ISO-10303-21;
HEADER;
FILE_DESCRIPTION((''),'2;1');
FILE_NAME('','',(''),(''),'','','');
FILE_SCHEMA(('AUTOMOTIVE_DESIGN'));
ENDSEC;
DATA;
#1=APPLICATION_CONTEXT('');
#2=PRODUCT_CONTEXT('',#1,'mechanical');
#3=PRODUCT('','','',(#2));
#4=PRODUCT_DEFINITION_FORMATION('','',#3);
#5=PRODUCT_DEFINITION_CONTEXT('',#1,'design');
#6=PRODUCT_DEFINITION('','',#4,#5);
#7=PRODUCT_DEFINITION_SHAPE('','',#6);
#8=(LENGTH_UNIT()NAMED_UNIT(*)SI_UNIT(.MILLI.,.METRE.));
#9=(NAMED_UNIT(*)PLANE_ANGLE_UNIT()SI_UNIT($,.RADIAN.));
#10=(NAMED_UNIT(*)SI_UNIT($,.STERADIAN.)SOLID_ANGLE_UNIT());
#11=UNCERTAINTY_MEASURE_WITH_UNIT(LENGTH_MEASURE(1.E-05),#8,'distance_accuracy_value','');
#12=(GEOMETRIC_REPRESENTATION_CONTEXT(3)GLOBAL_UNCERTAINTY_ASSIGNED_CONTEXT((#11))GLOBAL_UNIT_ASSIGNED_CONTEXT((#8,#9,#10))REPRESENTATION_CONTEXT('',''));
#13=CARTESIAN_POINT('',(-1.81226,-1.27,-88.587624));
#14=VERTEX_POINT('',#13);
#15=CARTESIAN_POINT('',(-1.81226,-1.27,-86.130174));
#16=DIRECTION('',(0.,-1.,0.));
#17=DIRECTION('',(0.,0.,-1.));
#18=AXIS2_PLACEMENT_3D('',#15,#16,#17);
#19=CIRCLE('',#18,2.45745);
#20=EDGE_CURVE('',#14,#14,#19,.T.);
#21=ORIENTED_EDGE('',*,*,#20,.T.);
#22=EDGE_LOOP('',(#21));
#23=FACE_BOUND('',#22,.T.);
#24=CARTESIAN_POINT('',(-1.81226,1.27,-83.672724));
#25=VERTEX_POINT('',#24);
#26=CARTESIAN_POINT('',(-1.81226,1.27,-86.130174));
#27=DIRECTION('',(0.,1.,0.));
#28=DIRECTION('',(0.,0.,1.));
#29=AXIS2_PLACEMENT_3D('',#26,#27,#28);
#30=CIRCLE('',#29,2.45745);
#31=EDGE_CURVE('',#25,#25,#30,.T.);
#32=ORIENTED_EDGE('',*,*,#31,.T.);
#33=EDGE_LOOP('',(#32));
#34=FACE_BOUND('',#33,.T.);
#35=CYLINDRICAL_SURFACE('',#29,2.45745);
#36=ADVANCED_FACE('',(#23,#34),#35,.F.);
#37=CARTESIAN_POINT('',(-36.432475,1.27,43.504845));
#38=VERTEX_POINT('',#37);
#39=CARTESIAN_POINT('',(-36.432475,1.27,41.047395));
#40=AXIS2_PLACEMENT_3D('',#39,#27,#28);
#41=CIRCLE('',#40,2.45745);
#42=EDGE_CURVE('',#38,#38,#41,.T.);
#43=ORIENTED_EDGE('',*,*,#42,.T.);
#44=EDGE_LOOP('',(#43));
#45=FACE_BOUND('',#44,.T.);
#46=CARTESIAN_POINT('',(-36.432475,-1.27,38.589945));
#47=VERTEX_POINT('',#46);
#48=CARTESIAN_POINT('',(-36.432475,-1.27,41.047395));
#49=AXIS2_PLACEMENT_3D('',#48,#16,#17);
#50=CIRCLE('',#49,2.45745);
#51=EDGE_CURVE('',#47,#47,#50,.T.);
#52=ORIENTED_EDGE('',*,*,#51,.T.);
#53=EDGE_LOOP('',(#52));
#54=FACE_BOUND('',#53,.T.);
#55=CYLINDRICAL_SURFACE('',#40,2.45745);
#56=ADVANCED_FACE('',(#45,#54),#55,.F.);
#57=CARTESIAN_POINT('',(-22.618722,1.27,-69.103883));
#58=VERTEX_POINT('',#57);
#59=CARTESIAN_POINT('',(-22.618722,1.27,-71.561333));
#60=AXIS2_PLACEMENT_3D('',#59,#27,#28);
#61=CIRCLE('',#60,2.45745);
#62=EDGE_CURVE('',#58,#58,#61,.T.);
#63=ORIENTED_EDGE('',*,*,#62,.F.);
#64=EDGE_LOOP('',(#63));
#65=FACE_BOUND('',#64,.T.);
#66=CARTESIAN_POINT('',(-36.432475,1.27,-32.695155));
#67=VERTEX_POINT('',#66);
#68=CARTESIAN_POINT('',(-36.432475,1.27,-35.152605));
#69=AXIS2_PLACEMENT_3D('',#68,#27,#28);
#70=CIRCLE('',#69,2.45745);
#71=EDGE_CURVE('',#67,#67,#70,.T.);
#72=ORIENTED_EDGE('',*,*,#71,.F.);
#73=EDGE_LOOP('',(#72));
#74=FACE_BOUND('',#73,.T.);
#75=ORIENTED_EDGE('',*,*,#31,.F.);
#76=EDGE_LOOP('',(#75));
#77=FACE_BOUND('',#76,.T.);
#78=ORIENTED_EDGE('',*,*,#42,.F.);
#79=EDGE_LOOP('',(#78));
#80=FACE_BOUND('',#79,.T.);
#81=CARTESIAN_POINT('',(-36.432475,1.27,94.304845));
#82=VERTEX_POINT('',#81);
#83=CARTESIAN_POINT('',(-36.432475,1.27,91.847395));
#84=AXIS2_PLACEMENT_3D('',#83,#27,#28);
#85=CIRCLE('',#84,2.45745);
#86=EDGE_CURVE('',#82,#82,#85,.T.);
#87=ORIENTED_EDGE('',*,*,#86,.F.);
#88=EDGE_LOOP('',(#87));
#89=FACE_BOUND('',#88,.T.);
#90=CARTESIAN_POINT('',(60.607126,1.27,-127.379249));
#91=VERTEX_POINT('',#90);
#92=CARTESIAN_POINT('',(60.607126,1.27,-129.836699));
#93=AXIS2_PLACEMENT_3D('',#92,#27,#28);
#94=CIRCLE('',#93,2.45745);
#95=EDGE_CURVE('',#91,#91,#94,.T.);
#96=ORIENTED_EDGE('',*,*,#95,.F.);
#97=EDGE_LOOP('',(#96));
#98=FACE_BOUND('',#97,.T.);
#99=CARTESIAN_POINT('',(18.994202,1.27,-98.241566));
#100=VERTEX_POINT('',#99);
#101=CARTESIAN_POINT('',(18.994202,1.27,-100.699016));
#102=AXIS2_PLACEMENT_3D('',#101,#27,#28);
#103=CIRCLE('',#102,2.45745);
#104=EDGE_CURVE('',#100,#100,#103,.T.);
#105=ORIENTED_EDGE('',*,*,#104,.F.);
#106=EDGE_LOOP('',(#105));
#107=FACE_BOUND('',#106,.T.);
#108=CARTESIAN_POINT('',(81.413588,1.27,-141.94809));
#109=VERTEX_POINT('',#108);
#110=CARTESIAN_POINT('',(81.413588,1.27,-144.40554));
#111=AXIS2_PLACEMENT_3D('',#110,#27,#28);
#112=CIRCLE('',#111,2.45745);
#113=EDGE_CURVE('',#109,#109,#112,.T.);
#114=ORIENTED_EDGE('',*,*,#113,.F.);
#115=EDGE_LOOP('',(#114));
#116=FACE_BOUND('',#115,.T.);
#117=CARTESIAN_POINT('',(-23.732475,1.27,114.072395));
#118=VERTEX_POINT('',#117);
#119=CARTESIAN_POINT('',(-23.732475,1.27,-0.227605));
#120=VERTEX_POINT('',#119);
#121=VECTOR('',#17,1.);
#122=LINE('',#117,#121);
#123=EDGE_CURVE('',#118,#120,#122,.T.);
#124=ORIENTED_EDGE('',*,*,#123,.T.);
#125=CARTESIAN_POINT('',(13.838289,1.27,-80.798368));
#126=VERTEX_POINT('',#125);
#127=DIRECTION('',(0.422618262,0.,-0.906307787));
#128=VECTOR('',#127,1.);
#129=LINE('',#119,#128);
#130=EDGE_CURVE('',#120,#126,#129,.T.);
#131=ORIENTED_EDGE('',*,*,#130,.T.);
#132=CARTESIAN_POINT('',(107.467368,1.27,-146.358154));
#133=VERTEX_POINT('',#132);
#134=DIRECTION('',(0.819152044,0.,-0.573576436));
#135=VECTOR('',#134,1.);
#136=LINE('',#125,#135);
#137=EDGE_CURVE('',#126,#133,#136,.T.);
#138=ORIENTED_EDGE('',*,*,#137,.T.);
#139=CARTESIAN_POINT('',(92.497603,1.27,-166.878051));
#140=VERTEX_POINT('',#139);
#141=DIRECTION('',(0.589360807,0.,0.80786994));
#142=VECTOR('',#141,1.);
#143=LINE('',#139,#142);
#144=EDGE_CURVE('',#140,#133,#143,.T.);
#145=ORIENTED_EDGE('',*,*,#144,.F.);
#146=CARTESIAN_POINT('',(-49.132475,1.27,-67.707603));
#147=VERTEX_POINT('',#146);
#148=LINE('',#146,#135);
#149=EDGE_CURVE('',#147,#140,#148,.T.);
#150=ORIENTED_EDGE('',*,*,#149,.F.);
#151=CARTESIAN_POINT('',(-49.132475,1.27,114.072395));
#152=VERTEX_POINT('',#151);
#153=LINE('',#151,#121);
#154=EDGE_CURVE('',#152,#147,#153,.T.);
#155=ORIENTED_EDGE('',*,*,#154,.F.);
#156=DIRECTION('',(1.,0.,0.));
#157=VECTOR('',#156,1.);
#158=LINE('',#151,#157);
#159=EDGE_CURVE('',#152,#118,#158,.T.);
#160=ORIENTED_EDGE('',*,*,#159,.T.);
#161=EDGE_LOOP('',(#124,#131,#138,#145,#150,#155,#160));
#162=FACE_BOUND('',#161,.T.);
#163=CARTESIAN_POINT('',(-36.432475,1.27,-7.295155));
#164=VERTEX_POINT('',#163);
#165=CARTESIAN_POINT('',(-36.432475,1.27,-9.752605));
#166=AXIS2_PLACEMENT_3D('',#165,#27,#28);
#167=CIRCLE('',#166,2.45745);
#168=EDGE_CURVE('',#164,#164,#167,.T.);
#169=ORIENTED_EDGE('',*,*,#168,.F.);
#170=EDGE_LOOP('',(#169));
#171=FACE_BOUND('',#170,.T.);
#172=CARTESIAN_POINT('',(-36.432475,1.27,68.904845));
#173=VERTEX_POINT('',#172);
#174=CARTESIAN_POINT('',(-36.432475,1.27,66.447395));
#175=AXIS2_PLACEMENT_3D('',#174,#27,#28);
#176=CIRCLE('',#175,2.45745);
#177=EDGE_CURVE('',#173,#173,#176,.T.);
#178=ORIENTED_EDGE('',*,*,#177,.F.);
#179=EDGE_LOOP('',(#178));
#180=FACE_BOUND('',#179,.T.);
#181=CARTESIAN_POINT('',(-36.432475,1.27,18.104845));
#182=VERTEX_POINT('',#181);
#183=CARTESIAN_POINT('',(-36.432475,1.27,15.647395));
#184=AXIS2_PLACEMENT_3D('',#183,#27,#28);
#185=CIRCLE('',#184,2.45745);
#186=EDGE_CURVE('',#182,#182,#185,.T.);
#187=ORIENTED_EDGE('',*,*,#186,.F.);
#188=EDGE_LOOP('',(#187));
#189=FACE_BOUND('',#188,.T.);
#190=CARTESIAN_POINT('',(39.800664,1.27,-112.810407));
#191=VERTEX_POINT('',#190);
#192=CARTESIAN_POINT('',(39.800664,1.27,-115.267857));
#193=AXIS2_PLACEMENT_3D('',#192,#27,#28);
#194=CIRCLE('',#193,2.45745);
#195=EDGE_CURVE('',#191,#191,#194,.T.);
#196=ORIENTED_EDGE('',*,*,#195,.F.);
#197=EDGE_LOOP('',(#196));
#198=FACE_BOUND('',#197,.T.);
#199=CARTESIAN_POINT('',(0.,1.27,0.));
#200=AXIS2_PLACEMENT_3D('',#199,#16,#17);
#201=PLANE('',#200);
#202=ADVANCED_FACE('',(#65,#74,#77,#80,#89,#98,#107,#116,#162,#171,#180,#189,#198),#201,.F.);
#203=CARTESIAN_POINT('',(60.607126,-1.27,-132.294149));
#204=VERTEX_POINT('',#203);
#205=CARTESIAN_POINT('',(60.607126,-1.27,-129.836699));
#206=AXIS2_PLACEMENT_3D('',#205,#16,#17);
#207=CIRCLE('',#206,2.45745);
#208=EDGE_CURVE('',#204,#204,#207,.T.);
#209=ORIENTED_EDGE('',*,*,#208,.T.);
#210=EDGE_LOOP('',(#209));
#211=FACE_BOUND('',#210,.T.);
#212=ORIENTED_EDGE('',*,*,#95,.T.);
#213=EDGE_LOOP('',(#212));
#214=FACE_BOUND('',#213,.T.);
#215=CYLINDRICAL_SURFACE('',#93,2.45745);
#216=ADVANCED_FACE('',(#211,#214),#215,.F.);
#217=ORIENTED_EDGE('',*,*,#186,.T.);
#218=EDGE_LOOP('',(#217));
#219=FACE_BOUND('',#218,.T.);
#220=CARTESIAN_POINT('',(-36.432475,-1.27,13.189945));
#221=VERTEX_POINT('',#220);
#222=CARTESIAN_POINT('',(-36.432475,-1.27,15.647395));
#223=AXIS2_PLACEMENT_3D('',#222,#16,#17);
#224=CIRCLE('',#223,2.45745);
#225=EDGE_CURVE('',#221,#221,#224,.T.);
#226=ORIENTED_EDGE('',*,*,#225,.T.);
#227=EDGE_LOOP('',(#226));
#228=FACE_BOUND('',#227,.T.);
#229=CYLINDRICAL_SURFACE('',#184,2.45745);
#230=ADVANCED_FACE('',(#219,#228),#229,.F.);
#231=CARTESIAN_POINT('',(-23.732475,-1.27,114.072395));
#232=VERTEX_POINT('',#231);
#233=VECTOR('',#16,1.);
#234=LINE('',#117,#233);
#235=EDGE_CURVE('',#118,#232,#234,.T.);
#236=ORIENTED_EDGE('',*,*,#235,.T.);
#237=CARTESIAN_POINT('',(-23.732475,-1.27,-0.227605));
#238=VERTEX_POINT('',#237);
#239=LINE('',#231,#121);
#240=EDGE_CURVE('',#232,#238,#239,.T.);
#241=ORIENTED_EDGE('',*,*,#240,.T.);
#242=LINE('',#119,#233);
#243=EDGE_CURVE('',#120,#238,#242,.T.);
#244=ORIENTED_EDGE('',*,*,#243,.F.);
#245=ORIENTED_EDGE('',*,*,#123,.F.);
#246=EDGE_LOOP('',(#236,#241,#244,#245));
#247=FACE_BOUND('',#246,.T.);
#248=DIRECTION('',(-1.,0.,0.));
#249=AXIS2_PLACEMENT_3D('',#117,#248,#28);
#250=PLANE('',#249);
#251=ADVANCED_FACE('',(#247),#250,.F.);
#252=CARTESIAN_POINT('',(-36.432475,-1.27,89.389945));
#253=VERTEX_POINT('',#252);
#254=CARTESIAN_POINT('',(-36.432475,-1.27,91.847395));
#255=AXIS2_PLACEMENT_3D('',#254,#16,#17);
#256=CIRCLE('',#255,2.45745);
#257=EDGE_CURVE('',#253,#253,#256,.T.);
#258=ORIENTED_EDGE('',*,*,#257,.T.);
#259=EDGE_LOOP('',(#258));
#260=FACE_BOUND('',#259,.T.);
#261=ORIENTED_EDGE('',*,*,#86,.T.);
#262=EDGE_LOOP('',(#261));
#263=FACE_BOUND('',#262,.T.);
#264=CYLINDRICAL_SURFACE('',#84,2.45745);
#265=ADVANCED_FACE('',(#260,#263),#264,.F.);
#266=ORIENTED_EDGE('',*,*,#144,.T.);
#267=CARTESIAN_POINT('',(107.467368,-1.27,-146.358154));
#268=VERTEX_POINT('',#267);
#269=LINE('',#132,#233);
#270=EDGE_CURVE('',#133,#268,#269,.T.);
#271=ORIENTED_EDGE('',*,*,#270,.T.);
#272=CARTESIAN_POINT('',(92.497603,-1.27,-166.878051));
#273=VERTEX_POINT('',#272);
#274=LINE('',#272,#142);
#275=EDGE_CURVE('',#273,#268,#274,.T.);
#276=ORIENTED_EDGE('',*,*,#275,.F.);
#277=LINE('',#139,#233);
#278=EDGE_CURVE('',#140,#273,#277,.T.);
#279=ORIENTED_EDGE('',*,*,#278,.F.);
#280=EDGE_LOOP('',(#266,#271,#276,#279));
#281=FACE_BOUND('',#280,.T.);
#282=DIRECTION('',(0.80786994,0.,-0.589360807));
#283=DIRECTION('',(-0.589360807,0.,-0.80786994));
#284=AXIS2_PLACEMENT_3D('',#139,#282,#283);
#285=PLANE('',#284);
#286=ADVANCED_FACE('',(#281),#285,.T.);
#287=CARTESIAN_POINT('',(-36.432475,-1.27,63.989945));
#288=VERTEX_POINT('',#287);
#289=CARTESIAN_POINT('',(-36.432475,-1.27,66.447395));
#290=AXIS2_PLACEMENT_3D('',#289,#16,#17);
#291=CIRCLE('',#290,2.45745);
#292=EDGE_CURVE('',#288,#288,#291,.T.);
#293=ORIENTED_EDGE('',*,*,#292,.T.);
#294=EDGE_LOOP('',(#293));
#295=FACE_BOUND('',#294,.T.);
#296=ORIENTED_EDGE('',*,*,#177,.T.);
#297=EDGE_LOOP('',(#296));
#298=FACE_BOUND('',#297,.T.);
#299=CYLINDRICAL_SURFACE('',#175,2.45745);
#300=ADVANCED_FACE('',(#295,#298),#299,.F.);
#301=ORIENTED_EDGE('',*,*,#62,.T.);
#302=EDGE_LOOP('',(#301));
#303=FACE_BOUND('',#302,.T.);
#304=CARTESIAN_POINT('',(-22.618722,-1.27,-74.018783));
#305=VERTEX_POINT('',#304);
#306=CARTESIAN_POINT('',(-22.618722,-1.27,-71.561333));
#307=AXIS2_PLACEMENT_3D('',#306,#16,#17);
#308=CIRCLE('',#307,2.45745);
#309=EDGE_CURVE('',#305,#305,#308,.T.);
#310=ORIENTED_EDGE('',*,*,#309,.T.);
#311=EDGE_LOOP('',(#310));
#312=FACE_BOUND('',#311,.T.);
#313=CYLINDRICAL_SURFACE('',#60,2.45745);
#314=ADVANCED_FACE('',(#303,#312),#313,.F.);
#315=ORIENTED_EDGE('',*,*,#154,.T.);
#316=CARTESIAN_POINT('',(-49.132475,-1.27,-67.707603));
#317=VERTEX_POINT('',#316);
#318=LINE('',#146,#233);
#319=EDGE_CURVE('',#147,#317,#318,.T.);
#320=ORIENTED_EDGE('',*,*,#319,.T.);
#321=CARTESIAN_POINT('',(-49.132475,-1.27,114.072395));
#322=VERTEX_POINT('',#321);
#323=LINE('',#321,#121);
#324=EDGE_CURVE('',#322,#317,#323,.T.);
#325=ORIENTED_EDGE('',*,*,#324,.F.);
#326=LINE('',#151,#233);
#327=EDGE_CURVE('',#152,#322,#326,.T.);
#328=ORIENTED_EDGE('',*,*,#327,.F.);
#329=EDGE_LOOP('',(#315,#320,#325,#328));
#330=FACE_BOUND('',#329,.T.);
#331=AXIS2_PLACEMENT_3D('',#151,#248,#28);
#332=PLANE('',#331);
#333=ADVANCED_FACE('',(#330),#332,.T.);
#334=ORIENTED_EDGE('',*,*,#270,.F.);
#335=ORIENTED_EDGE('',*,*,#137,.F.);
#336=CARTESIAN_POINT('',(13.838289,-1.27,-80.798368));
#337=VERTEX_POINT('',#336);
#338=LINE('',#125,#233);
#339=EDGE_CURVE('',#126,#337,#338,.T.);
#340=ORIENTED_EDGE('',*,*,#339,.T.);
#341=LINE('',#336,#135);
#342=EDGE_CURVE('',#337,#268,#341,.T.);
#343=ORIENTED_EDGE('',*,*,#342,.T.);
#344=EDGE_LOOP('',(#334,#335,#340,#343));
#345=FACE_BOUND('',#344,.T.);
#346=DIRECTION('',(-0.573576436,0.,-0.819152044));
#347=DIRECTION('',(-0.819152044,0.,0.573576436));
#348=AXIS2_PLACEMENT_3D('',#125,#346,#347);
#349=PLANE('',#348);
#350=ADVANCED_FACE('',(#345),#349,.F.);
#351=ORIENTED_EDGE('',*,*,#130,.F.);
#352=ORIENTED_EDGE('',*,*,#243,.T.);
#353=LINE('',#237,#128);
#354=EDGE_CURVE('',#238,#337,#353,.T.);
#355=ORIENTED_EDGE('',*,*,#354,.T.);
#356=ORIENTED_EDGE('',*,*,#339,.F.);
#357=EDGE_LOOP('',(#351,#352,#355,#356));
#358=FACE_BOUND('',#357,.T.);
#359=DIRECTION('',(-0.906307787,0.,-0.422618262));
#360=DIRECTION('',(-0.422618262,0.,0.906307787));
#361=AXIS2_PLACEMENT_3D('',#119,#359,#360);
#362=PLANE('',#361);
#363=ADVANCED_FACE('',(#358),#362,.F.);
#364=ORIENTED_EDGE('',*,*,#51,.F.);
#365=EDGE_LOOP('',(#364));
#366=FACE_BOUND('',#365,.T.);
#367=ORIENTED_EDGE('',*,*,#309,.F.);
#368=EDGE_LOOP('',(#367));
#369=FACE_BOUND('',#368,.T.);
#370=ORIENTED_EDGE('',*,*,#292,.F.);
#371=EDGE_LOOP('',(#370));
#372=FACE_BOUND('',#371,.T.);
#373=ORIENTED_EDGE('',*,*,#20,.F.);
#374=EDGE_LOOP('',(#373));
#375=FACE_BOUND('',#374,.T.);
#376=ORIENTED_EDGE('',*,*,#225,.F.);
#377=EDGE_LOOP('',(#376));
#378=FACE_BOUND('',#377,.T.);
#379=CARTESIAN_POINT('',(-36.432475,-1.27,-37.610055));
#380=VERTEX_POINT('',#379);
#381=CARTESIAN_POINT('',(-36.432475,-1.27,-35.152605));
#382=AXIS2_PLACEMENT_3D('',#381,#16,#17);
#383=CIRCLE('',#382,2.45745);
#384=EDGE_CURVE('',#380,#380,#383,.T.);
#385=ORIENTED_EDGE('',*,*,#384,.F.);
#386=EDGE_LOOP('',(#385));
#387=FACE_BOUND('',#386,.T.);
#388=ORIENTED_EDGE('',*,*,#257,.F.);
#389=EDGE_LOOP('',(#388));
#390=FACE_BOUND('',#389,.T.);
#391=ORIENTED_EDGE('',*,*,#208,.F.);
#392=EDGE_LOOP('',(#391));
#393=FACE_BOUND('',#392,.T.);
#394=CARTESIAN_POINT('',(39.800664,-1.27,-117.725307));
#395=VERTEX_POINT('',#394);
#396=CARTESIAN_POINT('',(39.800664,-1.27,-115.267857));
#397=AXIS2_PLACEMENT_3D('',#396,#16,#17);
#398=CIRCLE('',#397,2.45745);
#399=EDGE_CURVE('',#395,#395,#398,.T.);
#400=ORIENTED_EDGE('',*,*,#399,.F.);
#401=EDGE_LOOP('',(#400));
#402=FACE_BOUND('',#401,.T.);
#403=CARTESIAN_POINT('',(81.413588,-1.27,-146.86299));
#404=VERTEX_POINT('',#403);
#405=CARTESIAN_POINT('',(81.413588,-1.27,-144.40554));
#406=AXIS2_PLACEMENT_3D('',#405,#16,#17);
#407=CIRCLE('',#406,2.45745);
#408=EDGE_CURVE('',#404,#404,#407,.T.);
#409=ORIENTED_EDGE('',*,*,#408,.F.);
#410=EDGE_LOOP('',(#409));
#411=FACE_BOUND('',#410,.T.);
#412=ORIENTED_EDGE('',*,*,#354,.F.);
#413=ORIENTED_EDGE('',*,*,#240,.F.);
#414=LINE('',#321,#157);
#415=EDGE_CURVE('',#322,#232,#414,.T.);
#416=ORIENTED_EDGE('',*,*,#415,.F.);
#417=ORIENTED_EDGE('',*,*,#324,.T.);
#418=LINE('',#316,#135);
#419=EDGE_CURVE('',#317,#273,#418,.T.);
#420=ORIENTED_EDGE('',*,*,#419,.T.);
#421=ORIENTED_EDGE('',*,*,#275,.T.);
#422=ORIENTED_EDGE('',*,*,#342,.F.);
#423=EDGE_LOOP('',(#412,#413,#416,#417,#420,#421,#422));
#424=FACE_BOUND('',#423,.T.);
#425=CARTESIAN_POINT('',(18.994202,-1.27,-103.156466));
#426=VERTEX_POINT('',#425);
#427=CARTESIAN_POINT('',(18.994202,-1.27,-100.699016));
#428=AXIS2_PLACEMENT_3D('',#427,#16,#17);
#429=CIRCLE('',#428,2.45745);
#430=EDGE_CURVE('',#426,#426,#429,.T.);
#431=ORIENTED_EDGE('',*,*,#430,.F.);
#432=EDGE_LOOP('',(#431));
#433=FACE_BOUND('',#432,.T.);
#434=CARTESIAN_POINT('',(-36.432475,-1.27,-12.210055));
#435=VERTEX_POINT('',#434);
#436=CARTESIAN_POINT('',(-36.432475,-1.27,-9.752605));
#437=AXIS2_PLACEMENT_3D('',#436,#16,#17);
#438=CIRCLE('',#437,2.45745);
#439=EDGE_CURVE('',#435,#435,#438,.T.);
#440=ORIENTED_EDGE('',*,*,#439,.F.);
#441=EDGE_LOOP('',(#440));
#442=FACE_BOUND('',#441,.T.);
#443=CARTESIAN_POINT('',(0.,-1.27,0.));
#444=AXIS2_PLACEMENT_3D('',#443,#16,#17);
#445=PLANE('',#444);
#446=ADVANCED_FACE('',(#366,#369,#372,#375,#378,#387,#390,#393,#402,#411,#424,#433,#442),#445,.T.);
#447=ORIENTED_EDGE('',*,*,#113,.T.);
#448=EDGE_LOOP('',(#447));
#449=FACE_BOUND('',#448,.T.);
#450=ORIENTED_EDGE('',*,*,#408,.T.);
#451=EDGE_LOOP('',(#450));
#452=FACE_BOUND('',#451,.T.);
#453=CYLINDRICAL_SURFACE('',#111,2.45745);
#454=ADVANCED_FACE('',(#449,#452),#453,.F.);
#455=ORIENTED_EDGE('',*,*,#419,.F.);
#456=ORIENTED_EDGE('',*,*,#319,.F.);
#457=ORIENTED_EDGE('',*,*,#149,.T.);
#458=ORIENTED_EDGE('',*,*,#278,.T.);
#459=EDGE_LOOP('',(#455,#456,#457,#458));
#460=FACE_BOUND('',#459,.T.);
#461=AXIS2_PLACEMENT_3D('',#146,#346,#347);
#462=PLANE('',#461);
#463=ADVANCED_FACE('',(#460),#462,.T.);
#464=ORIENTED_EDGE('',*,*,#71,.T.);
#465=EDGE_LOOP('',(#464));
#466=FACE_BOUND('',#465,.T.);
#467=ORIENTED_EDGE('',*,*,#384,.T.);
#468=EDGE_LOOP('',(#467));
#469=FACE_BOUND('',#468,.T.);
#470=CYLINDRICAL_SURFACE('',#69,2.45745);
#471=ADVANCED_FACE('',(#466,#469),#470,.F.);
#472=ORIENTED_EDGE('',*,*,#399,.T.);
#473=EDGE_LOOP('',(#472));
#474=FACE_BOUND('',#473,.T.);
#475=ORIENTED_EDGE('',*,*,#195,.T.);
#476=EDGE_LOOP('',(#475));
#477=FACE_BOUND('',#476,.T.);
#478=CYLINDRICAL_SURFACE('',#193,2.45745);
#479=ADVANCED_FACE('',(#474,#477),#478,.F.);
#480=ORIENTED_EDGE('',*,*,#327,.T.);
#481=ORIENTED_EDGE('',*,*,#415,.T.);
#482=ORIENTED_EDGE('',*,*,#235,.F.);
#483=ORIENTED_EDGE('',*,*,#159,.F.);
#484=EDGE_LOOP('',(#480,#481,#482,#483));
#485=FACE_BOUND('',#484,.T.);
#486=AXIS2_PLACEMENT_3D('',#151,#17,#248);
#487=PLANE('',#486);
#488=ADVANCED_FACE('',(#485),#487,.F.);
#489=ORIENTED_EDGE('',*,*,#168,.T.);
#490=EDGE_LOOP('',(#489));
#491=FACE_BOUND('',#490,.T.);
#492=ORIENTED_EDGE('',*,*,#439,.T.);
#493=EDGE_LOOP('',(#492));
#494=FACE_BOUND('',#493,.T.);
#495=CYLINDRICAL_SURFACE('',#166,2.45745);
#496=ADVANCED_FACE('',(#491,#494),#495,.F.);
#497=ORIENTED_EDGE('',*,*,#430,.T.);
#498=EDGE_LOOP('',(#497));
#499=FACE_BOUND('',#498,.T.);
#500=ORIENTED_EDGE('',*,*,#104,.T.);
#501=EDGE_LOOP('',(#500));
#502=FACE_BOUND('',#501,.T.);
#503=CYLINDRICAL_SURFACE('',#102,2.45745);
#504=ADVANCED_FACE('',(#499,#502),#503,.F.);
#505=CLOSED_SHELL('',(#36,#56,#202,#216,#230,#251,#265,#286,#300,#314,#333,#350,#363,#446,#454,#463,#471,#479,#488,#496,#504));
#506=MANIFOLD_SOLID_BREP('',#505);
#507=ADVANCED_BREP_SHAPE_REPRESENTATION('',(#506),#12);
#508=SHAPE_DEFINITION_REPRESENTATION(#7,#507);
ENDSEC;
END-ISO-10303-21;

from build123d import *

# Parameters (mm, degrees)
BOSS_EXTRUDE1_DEPTH              = 1.27
F_10_0_1935_DIAMETER_HOLE2_D     = 4.9149
F_10_0_1935_DIAMETER_HOLE2_DEPTH = 50.8
F_10_0_1935_DIAMETER_HOLE2_TIP   = 1.476584928


with BuildPart() as part:
    # Sketch1 → Boss-Extrude1 (new, symmetric)
    with BuildSketch(Plane(origin=(0, 0, 0), x_dir=(1, 0, 0), z_dir=(0, 1, 0))):
        Polygon((-49.1324746, -114.072394731), (-23.7324746, -114.072394731), (-23.7324746, 0.227605269), (13.838288869, 80.798367536), (107.467367531, 146.358154211), (92.497603039, 166.878050679), (-49.1324746, 67.707602679), align=None)
    extrude(amount=BOSS_EXTRUDE1_DEPTH, both=True)

    # #10 (0.1935) Diameter Hole2
    with Locations(Plane(origin=(0, 1.27, 0), x_dir=(1, 0, 0), z_dir=(0, 1, 0))):
        with Locations((81.413587814, 144.4055404), (60.607125889, 129.836698916), (39.800663964, 115.267857433), (18.994202039, 100.69901595), (-1.812259886, 86.130174466), (-22.618721811, 71.561332983), (-36.4324746, 35.152605269), (-36.4324746, 9.752605269), (-36.4324746, -15.647394731), (-36.4324746, -41.047394731), (-36.4324746, -66.447394731), (-36.4324746, -91.847394731)):
            Hole(F_10_0_1935_DIAMETER_HOLE2_D / 2, depth=F_10_0_1935_DIAMETER_HOLE2_DEPTH)
            with Locations((0, 0, -(F_10_0_1935_DIAMETER_HOLE2_DEPTH + F_10_0_1935_DIAMETER_HOLE2_TIP / 2))):  # 118° drill point
                Cone(0, F_10_0_1935_DIAMETER_HOLE2_D / 2, F_10_0_1935_DIAMETER_HOLE2_TIP, mode=Mode.SUBTRACT)


solid = part.part
